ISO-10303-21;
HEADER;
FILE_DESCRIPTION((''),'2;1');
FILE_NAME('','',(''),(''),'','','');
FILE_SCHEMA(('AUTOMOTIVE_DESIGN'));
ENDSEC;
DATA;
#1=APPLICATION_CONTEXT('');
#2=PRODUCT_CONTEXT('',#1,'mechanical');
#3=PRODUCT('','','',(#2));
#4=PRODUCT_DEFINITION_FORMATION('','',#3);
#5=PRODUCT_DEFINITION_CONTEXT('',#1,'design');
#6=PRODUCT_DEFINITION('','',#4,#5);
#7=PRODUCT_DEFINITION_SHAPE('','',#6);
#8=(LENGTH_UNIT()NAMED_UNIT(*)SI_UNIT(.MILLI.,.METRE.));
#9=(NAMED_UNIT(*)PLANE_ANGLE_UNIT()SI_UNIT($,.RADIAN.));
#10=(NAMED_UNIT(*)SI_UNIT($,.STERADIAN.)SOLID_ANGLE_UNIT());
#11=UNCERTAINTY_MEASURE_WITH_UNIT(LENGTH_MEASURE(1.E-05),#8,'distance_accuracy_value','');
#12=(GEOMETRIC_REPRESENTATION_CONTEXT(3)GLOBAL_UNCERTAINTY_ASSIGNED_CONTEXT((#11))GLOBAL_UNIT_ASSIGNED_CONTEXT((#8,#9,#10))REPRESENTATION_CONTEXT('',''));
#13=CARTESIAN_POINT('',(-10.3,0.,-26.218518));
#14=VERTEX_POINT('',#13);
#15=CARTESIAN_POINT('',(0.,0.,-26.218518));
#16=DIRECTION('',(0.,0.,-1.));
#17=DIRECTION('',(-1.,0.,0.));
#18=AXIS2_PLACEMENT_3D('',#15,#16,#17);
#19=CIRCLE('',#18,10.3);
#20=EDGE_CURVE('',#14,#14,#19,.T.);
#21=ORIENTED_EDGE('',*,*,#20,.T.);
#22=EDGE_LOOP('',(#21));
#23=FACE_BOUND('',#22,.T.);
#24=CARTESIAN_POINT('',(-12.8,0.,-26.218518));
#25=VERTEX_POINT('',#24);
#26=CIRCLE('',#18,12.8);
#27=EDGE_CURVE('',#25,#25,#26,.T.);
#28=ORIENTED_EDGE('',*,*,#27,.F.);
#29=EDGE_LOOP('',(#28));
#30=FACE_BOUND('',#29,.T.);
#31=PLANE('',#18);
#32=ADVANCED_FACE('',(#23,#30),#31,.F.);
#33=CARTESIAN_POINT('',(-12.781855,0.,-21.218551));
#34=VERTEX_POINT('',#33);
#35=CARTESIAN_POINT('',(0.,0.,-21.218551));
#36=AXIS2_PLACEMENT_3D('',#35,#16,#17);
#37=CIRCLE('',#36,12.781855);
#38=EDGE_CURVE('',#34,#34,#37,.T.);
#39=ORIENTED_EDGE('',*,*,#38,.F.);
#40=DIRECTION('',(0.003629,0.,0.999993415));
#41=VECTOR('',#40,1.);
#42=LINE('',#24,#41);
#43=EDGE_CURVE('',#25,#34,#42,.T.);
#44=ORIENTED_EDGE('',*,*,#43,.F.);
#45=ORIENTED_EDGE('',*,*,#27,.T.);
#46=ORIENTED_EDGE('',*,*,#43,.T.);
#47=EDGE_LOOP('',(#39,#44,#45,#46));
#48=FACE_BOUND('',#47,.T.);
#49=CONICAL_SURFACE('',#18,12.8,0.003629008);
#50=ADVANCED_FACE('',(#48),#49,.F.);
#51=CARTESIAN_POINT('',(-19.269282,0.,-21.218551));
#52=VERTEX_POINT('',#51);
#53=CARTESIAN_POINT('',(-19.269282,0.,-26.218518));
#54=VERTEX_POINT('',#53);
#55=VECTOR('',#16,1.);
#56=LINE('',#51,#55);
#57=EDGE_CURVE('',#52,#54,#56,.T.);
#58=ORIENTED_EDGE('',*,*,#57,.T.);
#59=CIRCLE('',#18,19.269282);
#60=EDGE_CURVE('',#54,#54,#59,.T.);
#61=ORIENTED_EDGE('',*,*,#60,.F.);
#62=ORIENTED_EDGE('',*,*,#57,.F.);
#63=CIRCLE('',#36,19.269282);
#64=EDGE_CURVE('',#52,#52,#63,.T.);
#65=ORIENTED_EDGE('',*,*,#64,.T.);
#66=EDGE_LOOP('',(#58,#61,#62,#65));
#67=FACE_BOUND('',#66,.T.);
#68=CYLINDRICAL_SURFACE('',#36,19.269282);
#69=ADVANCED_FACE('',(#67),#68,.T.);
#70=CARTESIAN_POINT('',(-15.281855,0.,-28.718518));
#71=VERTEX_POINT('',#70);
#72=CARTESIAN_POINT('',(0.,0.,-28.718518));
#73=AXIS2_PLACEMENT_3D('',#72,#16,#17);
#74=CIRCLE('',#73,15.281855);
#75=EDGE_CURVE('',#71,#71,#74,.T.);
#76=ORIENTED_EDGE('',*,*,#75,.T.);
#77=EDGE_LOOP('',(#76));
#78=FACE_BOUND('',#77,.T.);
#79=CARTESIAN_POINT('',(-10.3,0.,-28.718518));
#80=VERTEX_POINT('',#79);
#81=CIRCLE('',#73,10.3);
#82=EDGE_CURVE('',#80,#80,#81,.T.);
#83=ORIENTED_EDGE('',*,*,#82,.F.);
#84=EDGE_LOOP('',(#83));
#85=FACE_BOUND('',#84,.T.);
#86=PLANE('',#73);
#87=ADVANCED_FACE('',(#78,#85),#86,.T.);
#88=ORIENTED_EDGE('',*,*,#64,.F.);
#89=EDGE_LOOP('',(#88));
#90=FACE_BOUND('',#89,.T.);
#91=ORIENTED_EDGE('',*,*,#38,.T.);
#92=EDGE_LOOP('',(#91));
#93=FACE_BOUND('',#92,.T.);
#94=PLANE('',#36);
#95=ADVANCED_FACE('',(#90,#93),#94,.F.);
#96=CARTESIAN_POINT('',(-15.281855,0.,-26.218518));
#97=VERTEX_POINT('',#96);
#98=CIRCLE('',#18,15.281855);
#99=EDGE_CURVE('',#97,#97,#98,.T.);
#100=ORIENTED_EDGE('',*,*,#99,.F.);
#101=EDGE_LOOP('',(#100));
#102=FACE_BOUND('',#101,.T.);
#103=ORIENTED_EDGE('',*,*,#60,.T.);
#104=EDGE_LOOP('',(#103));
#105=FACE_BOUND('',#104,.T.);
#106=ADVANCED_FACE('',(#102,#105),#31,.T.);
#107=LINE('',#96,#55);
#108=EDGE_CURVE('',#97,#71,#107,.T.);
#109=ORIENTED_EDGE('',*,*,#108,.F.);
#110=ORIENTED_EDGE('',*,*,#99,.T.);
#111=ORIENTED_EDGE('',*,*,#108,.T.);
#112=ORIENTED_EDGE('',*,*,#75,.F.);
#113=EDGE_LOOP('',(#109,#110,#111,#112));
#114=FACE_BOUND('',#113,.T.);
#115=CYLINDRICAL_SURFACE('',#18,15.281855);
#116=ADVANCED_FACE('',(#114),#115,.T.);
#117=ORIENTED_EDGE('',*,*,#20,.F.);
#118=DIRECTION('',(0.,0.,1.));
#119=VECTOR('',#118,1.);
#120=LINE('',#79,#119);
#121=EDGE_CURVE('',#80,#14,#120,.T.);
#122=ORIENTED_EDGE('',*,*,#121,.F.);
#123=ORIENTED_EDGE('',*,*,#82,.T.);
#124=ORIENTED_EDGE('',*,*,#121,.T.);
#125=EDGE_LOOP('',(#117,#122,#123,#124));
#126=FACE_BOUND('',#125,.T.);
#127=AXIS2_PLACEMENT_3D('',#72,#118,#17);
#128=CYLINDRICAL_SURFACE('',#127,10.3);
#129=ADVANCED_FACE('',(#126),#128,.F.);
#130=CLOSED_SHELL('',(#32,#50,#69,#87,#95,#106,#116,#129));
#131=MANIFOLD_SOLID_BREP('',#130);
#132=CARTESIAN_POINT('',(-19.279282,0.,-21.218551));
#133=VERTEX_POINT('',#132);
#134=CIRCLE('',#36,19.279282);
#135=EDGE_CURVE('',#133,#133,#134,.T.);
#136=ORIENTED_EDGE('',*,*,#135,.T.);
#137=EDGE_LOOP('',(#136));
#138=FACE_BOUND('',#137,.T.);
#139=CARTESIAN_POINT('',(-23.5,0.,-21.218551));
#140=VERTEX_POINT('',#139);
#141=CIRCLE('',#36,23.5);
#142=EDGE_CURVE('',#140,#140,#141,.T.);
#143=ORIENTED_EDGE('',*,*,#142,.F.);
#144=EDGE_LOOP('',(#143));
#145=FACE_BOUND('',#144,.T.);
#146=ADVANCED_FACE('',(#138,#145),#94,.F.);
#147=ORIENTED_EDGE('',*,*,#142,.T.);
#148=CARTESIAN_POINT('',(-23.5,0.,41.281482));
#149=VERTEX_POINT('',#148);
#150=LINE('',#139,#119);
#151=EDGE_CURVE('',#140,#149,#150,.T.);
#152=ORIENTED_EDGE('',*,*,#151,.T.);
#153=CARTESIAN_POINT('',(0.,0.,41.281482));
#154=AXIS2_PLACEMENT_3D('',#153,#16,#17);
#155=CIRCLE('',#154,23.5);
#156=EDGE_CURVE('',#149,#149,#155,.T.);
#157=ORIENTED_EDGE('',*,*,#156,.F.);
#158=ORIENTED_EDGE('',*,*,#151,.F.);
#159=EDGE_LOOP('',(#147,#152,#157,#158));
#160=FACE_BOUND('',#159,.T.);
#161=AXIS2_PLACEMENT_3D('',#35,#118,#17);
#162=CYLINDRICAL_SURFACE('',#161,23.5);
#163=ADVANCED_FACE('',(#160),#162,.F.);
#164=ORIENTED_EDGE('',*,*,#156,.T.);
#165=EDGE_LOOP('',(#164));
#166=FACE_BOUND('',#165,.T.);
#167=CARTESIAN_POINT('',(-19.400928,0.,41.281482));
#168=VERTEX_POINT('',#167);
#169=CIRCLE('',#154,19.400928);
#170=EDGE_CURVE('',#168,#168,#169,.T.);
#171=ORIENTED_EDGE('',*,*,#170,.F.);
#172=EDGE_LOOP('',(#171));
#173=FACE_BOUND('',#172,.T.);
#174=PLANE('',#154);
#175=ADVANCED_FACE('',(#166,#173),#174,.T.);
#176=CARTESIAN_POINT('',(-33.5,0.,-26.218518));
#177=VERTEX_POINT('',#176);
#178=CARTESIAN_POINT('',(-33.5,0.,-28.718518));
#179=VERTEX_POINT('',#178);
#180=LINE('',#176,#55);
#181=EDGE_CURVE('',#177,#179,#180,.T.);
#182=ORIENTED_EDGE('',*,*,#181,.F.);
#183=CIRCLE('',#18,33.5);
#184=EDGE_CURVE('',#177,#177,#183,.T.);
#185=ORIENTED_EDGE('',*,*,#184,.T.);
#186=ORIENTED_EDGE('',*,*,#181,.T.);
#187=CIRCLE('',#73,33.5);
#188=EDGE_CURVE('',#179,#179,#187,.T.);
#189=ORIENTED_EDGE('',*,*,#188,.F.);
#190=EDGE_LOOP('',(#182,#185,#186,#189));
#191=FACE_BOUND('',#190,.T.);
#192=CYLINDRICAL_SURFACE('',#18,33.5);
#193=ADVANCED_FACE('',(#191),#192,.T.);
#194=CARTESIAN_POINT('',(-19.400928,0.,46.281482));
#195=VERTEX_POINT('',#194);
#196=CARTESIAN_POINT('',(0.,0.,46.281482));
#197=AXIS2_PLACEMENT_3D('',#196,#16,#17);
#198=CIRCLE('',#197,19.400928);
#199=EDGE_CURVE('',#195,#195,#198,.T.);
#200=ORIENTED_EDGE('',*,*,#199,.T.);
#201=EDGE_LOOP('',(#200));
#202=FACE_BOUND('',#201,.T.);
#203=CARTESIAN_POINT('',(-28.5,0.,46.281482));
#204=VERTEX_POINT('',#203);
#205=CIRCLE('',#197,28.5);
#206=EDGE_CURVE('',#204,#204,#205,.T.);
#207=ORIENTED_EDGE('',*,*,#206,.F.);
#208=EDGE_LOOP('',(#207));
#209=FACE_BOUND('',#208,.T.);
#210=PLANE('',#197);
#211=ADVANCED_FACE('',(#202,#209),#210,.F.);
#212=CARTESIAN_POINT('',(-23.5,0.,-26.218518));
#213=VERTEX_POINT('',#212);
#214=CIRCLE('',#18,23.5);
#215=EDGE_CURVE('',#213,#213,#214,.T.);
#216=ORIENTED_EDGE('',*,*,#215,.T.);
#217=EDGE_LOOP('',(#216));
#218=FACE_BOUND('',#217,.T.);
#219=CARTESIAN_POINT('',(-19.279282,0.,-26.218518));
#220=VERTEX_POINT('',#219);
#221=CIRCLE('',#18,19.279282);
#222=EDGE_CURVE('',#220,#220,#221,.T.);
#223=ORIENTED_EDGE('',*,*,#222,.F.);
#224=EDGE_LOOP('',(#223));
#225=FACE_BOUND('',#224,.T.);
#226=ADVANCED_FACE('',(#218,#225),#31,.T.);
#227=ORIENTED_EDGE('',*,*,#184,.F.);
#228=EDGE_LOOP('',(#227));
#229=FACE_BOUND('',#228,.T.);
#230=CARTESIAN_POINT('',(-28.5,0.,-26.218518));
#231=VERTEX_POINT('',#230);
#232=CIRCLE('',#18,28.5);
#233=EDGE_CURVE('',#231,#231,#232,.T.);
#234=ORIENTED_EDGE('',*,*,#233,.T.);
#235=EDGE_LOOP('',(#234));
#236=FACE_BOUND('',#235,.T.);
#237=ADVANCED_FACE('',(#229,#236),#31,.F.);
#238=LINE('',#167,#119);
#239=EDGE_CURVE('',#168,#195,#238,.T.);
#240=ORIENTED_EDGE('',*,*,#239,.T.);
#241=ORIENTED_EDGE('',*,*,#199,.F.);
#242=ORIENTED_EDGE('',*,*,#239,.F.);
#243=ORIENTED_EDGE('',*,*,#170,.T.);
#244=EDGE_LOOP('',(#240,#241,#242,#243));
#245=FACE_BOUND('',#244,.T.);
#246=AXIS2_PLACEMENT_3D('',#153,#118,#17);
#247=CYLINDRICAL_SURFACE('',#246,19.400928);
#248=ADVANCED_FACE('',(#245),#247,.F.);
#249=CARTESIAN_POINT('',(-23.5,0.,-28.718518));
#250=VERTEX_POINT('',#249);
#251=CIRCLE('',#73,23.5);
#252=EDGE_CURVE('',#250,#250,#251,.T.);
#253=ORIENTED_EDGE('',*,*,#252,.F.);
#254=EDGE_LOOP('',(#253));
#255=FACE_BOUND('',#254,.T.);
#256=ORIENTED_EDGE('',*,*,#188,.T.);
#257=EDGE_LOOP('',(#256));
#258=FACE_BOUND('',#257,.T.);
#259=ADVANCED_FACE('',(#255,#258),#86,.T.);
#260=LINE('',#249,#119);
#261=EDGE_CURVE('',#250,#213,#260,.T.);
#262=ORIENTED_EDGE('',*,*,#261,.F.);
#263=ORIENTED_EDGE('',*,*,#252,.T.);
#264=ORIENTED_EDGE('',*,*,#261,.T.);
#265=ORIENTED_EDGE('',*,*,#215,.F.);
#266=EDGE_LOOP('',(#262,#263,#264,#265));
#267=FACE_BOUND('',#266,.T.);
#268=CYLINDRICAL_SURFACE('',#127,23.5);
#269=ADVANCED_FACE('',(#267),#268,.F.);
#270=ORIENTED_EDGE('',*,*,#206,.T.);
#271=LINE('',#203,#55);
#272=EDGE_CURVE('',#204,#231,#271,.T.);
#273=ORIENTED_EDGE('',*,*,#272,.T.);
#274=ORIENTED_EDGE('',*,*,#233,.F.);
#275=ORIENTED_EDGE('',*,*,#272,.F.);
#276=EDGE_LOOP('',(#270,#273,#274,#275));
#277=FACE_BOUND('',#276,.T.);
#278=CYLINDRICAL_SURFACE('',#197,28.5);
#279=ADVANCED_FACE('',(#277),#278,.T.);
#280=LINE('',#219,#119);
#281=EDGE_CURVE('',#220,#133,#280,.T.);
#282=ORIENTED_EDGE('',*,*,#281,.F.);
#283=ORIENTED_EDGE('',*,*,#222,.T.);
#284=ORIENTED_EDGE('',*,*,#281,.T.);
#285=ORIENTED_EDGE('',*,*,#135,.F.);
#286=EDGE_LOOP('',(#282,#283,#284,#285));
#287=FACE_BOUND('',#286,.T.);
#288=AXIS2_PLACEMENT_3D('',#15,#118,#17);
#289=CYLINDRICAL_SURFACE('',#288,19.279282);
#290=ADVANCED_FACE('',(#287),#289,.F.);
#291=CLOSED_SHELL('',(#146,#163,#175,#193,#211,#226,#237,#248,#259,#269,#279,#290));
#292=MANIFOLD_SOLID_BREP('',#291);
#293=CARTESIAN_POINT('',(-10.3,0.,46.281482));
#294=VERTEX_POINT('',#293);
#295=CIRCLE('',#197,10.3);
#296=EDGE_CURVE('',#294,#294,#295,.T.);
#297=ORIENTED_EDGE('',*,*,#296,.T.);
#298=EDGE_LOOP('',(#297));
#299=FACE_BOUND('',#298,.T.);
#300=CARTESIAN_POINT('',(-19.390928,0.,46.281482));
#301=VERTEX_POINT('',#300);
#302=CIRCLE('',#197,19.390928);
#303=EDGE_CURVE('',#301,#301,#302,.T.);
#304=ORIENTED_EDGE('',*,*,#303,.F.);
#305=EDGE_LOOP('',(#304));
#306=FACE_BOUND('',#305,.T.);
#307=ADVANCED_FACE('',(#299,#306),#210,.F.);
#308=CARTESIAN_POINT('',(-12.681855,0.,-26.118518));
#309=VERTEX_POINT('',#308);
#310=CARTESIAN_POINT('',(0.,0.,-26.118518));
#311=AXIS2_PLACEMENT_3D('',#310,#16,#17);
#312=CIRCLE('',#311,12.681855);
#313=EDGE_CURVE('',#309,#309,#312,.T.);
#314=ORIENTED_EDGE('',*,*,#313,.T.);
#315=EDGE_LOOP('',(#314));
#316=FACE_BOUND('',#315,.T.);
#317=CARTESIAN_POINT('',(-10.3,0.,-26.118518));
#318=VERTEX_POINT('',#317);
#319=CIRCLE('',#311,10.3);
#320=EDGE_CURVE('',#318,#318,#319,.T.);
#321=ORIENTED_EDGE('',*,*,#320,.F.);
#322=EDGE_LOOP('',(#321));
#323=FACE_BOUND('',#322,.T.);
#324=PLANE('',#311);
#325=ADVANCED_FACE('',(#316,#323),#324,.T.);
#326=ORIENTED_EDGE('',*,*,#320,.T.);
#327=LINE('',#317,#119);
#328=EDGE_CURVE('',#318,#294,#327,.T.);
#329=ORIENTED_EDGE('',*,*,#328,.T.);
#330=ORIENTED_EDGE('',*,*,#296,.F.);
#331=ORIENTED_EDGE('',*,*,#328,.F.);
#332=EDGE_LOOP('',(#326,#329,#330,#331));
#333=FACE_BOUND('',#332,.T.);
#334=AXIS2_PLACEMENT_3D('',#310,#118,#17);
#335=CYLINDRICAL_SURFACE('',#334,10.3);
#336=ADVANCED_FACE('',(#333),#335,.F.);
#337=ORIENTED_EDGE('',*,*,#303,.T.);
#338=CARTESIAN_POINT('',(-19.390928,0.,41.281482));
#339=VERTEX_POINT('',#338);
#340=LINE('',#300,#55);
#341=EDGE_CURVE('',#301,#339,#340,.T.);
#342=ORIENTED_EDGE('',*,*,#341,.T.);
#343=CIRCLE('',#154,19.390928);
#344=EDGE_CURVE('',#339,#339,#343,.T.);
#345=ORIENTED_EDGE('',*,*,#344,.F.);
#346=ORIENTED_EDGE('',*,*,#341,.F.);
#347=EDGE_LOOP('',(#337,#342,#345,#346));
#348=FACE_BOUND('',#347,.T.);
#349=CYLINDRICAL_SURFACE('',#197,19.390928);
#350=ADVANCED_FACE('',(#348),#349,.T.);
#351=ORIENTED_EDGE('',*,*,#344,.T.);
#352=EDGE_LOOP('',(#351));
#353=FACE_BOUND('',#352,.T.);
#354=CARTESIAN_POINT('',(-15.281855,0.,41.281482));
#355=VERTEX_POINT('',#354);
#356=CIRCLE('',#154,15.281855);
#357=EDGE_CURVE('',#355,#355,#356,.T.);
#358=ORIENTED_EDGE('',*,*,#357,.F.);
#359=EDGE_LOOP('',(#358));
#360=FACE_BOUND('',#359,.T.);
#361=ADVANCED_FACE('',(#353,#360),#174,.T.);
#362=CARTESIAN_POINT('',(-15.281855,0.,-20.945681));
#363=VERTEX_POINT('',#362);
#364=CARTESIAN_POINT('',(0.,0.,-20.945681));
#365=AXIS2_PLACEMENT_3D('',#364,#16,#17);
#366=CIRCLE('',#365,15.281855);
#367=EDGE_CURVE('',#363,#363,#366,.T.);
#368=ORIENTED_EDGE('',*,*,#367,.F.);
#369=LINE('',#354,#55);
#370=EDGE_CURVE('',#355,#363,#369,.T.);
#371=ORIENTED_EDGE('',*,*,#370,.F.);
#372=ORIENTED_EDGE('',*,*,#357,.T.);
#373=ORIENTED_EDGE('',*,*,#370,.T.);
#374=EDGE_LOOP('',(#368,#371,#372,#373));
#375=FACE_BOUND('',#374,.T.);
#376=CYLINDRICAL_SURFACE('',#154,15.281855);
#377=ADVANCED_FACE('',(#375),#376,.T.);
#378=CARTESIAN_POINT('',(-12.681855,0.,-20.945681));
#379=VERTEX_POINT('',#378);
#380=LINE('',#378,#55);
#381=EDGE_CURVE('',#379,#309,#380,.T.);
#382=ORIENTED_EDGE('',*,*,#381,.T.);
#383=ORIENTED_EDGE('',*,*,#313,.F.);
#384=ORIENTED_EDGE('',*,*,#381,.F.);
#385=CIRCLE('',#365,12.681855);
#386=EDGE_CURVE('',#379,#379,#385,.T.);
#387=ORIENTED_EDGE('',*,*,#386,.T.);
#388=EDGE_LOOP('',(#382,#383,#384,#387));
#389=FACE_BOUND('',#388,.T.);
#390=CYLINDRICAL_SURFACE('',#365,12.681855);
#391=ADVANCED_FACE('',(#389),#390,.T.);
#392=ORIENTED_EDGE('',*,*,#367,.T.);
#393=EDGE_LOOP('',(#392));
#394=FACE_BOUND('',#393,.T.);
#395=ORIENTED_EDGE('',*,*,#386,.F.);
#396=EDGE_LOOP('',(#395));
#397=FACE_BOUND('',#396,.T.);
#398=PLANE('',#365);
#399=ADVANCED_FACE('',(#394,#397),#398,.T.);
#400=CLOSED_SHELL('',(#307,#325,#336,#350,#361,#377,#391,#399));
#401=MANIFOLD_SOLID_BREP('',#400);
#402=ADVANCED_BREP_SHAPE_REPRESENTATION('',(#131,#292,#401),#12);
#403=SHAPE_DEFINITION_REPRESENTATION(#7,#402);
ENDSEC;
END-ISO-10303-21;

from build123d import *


with BuildPart() as f1:
    # F0 (on Front) → F1 (revolve)
    with BuildSketch(Plane.XZ):
        Polygon((-10.3, -26.118518), (-10.3, 41.281482), (-10.3, 46.281482), (-19.390928, 46.281482), (-19.390928, 41.281482), (-15.281855, 41.281482), (-15.281855, -20.945681), (-12.781855, -20.945681), (-12.681855, -20.945681), (-12.681855, -26.118518), align=None)
        Polygon((-23.5, -21.218551), (-23.5, 41.281482), (-19.400928, 41.281482), (-19.400928, 46.281482), (-28.5, 46.281482), (-28.5, 41.281482), (-28.5, -26.218518), (-33.5, -26.218518), (-33.5, -28.718518), (-23.5, -28.718518), (-23.5, -26.218518), (-19.279282, -26.218518), (-19.279282, -21.218551), align=None)
        Polygon((-12.781855, -21.218551), (-15.281855, -21.218551), (-19.269282, -21.218551), (-19.269282, -26.218518), (-15.281855, -26.218518), (-15.281855, -28.718518), (-10.3, -28.718518), (-10.3, -26.218518), (-12.550991, -26.218518), (-12.681855, -26.218518), (-12.8, -26.218518), align=None)
    revolve(axis=Axis((0, 0, 1.031581), (0, 0, -1)))


solid = f1.part
